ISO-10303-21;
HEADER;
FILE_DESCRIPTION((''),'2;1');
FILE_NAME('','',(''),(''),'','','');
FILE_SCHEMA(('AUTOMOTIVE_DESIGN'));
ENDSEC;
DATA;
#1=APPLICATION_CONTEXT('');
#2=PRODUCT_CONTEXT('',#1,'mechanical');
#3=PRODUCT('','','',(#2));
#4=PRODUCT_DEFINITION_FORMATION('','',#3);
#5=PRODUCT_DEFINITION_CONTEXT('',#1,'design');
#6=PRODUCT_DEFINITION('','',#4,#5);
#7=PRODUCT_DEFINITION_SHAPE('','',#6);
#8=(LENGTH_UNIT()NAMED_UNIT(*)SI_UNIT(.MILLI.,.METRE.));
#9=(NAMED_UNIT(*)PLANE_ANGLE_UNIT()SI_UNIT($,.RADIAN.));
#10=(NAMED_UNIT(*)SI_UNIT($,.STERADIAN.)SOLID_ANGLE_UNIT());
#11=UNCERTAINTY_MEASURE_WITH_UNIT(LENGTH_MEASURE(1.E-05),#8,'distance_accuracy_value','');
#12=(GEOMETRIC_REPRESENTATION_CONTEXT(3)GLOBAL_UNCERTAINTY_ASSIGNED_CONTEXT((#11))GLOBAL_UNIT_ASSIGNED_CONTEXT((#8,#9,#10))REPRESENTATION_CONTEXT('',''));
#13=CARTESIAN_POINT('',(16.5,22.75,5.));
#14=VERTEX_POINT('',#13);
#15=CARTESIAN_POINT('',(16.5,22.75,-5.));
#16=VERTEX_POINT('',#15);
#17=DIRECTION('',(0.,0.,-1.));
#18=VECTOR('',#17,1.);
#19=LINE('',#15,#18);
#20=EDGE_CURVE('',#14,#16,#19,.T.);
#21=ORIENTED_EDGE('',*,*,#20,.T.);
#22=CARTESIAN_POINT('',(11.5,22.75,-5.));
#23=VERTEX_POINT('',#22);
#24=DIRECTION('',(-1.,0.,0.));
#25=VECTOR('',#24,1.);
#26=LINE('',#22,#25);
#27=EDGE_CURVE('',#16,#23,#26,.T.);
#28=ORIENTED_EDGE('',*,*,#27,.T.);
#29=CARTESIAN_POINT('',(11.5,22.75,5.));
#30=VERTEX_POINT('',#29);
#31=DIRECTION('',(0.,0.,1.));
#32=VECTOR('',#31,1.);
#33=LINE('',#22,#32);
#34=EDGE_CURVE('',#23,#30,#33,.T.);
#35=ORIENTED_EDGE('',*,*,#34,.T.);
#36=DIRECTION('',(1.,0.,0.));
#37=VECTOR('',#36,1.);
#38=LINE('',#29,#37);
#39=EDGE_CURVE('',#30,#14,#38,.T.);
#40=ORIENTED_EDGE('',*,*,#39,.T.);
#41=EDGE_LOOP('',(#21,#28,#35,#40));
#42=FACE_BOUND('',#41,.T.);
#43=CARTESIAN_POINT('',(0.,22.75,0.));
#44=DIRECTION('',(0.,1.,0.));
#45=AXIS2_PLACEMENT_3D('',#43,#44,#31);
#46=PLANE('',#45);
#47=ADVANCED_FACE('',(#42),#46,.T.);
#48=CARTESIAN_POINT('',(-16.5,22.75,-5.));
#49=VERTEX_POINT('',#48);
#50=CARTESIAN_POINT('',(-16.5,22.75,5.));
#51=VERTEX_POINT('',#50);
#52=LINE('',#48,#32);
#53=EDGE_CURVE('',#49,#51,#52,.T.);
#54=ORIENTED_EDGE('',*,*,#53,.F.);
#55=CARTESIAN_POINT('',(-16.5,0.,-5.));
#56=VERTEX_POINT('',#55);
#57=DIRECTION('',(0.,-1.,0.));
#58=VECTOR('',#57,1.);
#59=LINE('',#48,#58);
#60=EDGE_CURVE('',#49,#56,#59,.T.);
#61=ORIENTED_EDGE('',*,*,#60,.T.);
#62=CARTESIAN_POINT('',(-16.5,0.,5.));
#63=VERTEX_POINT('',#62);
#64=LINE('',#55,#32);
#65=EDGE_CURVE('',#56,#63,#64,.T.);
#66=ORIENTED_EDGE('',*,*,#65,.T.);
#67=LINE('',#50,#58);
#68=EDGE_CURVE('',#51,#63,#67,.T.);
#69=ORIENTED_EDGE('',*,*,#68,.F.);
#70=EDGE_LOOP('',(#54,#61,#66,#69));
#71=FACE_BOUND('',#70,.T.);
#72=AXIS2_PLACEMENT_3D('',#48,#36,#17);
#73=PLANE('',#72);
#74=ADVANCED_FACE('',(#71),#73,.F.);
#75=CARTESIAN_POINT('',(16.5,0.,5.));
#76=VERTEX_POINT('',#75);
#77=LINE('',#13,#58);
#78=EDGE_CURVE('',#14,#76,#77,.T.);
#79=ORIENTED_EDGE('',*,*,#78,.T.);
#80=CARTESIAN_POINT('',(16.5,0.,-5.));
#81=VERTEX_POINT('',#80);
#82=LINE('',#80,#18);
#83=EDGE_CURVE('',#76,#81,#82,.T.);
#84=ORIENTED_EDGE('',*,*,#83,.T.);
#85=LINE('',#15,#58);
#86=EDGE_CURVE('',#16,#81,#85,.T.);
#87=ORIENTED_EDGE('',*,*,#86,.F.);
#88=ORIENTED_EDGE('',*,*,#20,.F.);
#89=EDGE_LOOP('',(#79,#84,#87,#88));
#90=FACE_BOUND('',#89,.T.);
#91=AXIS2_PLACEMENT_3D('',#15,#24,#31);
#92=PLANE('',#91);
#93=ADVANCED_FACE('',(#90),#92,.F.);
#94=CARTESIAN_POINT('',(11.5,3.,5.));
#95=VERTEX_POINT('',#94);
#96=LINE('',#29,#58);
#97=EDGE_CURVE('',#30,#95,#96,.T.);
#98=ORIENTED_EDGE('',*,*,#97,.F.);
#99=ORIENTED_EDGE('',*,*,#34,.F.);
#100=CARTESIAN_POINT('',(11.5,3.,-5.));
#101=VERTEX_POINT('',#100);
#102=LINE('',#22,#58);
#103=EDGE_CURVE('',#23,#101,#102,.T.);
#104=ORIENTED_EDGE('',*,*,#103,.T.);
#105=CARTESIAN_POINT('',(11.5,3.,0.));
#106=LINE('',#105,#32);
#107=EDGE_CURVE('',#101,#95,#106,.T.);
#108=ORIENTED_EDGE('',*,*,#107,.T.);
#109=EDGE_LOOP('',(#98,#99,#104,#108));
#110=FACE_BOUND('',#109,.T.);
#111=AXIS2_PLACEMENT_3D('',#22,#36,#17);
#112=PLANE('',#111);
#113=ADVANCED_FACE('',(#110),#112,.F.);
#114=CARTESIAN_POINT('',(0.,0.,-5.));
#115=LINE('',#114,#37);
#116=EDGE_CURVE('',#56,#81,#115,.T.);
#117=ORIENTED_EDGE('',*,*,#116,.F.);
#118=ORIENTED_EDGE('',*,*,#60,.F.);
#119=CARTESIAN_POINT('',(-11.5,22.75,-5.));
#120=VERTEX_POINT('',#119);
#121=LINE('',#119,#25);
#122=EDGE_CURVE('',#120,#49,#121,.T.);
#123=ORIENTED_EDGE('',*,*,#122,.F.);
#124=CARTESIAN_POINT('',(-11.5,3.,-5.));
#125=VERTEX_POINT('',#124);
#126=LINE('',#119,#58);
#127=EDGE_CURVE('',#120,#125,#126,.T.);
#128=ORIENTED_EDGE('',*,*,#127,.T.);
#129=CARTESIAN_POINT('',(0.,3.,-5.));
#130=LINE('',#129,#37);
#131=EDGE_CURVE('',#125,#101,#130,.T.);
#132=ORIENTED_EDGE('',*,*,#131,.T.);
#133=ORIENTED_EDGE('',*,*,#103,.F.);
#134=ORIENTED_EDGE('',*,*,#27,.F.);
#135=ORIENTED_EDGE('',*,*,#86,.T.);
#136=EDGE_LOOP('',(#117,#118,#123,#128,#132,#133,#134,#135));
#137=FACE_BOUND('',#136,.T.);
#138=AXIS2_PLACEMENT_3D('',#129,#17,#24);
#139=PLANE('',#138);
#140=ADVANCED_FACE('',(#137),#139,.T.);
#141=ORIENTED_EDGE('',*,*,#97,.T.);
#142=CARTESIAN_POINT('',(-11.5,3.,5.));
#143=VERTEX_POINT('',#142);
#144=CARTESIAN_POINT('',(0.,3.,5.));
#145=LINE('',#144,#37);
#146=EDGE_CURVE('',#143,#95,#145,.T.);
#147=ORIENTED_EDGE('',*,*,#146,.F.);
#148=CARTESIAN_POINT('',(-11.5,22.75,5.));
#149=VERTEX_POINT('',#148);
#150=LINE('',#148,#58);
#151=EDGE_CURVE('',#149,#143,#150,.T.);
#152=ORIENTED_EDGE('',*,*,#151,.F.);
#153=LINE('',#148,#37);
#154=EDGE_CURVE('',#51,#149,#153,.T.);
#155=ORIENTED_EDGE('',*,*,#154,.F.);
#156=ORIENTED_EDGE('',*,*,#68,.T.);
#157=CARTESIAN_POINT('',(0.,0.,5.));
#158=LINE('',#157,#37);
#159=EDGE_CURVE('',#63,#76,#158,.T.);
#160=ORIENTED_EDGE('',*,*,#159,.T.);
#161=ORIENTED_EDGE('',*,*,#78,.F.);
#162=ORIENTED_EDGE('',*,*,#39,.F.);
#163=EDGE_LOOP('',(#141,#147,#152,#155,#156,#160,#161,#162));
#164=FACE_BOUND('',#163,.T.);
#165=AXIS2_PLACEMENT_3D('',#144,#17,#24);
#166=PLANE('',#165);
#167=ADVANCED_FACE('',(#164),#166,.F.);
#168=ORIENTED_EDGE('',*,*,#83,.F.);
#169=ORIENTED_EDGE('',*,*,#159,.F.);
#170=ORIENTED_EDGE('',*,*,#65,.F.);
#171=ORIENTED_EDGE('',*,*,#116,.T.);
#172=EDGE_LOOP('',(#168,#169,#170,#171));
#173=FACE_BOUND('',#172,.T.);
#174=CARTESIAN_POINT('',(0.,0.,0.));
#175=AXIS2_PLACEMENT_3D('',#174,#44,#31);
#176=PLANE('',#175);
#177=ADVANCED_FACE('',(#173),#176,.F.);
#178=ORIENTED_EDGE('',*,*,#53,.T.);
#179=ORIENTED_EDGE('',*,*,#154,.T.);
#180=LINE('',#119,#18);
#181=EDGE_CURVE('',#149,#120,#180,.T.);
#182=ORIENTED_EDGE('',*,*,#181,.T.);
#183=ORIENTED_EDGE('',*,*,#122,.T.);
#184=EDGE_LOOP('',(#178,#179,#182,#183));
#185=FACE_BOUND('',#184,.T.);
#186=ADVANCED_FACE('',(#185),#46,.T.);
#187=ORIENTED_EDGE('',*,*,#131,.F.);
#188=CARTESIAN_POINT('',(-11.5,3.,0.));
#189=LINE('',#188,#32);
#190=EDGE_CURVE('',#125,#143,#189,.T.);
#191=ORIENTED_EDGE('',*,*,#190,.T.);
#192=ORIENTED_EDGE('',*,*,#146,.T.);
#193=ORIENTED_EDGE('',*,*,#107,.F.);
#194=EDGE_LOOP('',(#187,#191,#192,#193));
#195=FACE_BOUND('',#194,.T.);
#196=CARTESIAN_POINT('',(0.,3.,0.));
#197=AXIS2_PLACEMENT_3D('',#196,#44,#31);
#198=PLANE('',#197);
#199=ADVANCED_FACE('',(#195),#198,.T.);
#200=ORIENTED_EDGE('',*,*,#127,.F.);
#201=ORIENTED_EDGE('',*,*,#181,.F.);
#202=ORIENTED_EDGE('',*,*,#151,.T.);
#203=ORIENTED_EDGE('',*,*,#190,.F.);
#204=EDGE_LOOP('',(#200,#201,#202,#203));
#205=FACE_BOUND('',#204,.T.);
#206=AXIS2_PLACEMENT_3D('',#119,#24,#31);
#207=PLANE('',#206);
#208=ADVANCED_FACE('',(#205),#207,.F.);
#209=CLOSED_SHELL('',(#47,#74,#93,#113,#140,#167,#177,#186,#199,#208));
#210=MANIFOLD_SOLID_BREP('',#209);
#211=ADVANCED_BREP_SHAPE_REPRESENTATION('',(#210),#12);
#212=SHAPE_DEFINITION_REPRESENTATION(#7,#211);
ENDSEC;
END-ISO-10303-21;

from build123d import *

# Parameters (mm, degrees)
SKETCH1_W           = 23
SKETCH1_H           = 10
BOSS_EXTRUDE1_DEPTH = 3
SKETCH2_W           = 5
SKETCH2_H           = 10
BOSS_EXTRUDE2_DEPTH = 22.75


with BuildPart() as part:
    # Sketch1 → Boss-Extrude1 (new body)
    with BuildSketch(Plane(origin=(0, 0, 0), x_dir=(1, 0, 0), z_dir=(0, 1, 0))):
        Rectangle(SKETCH1_W, SKETCH1_H)
    extrude(amount=BOSS_EXTRUDE1_DEPTH)

    # Sketch2 → Boss-Extrude2 (add)
    with BuildSketch(Plane(origin=(0, 0, 0), x_dir=(1, 0, 0), z_dir=(0, 1, 0))):
        with Locations((14, 0)):
            Rectangle(SKETCH2_W, SKETCH2_H)
        with Locations((-14, 0)):
            Rectangle(SKETCH2_W, SKETCH2_H)
    extrude(amount=BOSS_EXTRUDE2_DEPTH)


solid = part.part
